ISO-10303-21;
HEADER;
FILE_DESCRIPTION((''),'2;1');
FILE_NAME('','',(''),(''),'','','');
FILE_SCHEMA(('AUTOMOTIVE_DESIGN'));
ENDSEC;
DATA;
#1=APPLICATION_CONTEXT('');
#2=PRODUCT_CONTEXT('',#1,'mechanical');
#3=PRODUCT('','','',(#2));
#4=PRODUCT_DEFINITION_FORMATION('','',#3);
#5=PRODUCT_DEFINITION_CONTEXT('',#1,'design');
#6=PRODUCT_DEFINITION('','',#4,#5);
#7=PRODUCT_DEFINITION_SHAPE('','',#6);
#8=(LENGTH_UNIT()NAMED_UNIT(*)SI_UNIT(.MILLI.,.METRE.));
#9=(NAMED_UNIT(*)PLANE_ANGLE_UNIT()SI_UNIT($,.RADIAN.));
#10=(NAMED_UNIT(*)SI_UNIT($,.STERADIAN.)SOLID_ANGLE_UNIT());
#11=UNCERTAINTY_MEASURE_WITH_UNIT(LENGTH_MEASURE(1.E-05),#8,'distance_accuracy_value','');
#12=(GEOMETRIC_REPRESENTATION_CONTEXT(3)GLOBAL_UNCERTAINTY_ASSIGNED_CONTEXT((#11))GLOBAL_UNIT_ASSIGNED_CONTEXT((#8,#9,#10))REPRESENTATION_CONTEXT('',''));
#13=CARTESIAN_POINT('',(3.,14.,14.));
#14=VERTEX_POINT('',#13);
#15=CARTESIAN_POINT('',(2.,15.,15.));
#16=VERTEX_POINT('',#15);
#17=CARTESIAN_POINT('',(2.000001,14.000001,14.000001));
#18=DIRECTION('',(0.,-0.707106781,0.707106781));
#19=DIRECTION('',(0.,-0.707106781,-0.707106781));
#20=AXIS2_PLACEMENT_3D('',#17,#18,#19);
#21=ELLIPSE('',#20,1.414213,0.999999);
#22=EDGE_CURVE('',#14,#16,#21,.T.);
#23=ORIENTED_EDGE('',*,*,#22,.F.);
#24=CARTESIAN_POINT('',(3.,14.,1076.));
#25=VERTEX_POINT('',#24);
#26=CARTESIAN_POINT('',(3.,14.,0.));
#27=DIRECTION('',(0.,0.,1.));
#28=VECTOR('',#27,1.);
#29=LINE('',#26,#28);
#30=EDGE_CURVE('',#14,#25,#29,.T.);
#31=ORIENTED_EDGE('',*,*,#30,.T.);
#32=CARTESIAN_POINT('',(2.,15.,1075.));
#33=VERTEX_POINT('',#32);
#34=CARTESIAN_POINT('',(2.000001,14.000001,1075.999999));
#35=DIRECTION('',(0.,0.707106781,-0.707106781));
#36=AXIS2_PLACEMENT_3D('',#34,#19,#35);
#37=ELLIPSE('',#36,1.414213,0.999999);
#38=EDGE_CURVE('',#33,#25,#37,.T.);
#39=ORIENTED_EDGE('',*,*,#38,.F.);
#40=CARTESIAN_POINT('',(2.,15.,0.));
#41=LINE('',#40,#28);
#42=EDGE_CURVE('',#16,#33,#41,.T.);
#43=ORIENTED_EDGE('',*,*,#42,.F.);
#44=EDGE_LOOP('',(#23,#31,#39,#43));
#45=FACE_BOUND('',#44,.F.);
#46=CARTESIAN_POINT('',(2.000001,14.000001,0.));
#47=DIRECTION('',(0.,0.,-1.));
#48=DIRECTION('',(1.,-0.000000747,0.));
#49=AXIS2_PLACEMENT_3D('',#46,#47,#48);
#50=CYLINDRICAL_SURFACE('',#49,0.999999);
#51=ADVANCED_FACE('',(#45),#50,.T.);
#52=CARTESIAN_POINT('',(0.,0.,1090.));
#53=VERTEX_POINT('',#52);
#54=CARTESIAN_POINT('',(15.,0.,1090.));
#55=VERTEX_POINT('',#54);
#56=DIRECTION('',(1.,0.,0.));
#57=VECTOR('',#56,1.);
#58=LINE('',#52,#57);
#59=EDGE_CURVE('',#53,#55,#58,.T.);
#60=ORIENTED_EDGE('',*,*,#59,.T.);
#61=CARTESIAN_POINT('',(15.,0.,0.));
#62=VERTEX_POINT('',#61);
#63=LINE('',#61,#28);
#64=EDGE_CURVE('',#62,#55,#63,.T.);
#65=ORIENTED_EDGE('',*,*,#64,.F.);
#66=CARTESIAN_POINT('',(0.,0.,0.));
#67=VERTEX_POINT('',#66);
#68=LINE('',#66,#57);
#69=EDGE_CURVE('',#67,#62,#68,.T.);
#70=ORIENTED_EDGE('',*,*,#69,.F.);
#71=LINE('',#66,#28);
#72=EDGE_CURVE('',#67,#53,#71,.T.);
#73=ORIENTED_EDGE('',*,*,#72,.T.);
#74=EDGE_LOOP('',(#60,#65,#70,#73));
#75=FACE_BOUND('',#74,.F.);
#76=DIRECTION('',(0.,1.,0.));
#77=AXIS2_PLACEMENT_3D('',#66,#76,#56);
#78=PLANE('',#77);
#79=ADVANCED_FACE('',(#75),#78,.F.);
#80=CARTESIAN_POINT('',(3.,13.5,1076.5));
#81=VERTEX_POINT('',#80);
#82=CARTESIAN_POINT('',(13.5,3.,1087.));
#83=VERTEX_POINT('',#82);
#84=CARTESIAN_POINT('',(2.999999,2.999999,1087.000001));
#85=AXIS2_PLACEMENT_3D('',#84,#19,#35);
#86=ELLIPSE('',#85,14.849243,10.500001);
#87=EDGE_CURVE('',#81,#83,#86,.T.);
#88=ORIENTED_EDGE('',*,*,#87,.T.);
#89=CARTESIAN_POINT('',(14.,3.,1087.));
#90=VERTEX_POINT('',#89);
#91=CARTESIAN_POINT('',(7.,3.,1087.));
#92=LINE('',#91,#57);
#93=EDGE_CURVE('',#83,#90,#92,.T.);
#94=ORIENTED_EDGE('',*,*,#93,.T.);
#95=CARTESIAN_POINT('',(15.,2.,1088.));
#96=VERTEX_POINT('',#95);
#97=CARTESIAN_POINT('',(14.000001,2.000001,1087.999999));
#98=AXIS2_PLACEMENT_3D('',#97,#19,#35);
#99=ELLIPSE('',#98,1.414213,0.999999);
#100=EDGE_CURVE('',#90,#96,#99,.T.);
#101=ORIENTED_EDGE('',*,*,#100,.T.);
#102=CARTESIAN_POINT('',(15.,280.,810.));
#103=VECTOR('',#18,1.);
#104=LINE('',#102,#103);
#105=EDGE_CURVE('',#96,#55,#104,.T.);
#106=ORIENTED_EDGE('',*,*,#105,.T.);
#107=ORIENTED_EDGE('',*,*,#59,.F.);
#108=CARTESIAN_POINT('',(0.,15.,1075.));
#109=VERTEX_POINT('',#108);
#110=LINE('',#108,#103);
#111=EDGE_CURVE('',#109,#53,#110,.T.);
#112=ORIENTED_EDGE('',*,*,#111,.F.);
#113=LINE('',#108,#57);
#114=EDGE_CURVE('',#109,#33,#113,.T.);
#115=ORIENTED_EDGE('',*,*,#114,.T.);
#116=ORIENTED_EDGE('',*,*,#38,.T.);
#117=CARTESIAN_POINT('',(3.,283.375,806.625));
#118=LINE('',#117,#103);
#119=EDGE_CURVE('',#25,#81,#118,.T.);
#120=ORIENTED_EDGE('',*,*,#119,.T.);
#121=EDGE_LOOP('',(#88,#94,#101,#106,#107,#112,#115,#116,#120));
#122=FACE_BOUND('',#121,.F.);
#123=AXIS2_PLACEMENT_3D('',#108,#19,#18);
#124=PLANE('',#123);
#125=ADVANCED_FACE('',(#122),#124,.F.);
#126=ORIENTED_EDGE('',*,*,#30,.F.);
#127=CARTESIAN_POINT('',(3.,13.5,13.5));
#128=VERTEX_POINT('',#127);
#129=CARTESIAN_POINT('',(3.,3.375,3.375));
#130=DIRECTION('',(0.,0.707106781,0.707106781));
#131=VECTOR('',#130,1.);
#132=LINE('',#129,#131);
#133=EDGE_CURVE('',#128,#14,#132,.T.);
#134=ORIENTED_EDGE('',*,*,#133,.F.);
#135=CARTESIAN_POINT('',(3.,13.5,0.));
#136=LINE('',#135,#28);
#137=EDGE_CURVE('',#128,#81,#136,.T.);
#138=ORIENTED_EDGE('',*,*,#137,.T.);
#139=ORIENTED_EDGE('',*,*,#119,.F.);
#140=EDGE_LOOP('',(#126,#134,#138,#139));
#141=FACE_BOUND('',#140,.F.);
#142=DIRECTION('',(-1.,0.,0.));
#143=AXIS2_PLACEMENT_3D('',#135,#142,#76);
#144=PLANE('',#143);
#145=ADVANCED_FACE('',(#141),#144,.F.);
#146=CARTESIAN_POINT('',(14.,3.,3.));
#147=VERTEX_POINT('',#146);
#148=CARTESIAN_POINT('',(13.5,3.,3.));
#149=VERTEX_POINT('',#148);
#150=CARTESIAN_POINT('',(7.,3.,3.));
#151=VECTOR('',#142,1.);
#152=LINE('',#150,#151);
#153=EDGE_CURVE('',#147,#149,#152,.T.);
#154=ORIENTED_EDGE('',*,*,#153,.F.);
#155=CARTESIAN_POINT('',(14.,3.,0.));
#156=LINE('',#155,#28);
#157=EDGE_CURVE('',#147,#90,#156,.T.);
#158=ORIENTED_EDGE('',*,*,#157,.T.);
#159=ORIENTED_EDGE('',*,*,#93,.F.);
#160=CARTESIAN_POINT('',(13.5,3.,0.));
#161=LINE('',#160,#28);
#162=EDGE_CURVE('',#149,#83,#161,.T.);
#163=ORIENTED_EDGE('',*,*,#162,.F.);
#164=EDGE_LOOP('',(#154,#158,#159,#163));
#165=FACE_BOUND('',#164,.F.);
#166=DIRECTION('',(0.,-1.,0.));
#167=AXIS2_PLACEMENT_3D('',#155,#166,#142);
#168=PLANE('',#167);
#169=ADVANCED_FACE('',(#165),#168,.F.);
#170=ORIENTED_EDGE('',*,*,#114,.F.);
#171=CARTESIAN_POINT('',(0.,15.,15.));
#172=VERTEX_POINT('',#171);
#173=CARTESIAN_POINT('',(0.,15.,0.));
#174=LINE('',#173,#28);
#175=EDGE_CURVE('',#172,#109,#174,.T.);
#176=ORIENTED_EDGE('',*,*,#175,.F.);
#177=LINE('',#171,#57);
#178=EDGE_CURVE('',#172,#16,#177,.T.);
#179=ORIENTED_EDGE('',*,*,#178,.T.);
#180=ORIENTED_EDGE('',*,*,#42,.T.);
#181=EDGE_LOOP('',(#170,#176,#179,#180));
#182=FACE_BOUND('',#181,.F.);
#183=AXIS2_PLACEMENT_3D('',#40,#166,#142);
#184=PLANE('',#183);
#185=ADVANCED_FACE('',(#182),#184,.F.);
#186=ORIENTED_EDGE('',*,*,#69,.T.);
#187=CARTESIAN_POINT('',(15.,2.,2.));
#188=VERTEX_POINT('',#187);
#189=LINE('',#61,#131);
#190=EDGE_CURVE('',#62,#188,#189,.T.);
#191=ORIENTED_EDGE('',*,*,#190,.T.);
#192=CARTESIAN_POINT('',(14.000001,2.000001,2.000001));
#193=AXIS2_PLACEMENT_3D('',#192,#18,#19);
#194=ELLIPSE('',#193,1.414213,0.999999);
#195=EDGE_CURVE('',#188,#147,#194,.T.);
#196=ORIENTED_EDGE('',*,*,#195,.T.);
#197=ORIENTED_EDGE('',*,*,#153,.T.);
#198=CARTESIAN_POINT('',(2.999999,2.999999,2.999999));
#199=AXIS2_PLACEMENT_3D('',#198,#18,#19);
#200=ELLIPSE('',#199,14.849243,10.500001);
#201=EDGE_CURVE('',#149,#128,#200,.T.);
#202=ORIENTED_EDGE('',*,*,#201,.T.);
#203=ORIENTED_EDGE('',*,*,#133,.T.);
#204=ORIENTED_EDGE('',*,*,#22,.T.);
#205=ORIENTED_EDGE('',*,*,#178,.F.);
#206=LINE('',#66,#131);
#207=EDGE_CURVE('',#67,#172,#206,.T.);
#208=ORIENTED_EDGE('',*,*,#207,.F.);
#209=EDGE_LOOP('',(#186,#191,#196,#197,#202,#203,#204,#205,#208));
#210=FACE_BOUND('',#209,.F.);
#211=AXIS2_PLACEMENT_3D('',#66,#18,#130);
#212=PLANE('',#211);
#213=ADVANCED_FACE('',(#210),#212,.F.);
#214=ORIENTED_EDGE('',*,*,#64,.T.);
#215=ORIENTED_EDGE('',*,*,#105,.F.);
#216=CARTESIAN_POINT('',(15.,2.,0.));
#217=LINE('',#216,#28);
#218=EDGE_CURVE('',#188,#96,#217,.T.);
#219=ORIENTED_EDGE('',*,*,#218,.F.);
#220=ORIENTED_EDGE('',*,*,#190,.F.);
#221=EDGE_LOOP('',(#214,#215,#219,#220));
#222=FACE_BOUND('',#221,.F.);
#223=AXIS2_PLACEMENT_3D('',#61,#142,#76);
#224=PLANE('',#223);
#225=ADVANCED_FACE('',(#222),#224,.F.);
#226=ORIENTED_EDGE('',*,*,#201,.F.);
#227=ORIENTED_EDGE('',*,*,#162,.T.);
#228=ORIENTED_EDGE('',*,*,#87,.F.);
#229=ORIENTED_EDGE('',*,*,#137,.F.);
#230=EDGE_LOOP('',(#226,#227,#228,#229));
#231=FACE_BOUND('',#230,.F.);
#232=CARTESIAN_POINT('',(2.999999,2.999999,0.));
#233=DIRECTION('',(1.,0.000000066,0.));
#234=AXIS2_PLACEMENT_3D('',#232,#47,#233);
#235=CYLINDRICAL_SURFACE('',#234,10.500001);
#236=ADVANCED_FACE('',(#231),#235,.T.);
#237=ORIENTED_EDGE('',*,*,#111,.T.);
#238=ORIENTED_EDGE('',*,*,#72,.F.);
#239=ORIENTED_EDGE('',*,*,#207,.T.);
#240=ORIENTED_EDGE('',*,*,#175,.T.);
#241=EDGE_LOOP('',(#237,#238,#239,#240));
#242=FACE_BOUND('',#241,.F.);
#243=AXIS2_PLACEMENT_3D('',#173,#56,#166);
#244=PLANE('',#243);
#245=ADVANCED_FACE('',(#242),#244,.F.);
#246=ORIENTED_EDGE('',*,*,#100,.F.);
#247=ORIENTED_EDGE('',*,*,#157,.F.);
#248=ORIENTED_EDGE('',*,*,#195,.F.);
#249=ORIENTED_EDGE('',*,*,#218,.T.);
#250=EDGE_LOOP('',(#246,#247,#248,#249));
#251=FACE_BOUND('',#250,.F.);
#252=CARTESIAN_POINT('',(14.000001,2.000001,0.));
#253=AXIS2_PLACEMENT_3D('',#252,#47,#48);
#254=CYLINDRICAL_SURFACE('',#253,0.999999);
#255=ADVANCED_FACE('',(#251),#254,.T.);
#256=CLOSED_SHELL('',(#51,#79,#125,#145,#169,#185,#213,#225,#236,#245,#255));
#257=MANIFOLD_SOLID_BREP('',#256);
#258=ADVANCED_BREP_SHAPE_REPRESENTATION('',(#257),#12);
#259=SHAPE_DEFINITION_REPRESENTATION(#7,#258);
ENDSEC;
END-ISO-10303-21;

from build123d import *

# Parameters (mm, degrees)
F1_DEPTH = 1090
F3_DEPTH = 25


with BuildPart() as f1:
    # F0 (on Top) → F1 (new body)
    with BuildSketch(Plane.XY):
        with BuildLine():
            Line((0, 15), (0, 0))
            Line((0, 0), (15, 0))
            Line((15, 0), (15, 2))
            ThreePointArc((15, 2), (14.707107, 2.707107), (14, 3))
            Line((14, 3), (13.5, 3))
            ThreePointArc((13.5, 3), (10.424621, 10.424621), (3, 13.5))
            Line((3, 13.5), (3, 14))
            ThreePointArc((3, 14), (2.707107, 14.707107), (2, 15))
            Line((2, 15), (0, 15))
        make_face()
    extrude(amount=F1_DEPTH)

    # F2 (on face) → F3 (cut)
    with BuildSketch(Plane(origin=(0, 0, 0), x_dir=(0, -1, 0), z_dir=(-1, 0, 0))):
        Polygon((-15, 0), (0, 0), (-15, 15), align=None)
        Polygon((-15, 1075), (0, 1090), (-15, 1090), align=None)
    extrude(amount=-F3_DEPTH, mode=Mode.SUBTRACT)


solid = f1.part
